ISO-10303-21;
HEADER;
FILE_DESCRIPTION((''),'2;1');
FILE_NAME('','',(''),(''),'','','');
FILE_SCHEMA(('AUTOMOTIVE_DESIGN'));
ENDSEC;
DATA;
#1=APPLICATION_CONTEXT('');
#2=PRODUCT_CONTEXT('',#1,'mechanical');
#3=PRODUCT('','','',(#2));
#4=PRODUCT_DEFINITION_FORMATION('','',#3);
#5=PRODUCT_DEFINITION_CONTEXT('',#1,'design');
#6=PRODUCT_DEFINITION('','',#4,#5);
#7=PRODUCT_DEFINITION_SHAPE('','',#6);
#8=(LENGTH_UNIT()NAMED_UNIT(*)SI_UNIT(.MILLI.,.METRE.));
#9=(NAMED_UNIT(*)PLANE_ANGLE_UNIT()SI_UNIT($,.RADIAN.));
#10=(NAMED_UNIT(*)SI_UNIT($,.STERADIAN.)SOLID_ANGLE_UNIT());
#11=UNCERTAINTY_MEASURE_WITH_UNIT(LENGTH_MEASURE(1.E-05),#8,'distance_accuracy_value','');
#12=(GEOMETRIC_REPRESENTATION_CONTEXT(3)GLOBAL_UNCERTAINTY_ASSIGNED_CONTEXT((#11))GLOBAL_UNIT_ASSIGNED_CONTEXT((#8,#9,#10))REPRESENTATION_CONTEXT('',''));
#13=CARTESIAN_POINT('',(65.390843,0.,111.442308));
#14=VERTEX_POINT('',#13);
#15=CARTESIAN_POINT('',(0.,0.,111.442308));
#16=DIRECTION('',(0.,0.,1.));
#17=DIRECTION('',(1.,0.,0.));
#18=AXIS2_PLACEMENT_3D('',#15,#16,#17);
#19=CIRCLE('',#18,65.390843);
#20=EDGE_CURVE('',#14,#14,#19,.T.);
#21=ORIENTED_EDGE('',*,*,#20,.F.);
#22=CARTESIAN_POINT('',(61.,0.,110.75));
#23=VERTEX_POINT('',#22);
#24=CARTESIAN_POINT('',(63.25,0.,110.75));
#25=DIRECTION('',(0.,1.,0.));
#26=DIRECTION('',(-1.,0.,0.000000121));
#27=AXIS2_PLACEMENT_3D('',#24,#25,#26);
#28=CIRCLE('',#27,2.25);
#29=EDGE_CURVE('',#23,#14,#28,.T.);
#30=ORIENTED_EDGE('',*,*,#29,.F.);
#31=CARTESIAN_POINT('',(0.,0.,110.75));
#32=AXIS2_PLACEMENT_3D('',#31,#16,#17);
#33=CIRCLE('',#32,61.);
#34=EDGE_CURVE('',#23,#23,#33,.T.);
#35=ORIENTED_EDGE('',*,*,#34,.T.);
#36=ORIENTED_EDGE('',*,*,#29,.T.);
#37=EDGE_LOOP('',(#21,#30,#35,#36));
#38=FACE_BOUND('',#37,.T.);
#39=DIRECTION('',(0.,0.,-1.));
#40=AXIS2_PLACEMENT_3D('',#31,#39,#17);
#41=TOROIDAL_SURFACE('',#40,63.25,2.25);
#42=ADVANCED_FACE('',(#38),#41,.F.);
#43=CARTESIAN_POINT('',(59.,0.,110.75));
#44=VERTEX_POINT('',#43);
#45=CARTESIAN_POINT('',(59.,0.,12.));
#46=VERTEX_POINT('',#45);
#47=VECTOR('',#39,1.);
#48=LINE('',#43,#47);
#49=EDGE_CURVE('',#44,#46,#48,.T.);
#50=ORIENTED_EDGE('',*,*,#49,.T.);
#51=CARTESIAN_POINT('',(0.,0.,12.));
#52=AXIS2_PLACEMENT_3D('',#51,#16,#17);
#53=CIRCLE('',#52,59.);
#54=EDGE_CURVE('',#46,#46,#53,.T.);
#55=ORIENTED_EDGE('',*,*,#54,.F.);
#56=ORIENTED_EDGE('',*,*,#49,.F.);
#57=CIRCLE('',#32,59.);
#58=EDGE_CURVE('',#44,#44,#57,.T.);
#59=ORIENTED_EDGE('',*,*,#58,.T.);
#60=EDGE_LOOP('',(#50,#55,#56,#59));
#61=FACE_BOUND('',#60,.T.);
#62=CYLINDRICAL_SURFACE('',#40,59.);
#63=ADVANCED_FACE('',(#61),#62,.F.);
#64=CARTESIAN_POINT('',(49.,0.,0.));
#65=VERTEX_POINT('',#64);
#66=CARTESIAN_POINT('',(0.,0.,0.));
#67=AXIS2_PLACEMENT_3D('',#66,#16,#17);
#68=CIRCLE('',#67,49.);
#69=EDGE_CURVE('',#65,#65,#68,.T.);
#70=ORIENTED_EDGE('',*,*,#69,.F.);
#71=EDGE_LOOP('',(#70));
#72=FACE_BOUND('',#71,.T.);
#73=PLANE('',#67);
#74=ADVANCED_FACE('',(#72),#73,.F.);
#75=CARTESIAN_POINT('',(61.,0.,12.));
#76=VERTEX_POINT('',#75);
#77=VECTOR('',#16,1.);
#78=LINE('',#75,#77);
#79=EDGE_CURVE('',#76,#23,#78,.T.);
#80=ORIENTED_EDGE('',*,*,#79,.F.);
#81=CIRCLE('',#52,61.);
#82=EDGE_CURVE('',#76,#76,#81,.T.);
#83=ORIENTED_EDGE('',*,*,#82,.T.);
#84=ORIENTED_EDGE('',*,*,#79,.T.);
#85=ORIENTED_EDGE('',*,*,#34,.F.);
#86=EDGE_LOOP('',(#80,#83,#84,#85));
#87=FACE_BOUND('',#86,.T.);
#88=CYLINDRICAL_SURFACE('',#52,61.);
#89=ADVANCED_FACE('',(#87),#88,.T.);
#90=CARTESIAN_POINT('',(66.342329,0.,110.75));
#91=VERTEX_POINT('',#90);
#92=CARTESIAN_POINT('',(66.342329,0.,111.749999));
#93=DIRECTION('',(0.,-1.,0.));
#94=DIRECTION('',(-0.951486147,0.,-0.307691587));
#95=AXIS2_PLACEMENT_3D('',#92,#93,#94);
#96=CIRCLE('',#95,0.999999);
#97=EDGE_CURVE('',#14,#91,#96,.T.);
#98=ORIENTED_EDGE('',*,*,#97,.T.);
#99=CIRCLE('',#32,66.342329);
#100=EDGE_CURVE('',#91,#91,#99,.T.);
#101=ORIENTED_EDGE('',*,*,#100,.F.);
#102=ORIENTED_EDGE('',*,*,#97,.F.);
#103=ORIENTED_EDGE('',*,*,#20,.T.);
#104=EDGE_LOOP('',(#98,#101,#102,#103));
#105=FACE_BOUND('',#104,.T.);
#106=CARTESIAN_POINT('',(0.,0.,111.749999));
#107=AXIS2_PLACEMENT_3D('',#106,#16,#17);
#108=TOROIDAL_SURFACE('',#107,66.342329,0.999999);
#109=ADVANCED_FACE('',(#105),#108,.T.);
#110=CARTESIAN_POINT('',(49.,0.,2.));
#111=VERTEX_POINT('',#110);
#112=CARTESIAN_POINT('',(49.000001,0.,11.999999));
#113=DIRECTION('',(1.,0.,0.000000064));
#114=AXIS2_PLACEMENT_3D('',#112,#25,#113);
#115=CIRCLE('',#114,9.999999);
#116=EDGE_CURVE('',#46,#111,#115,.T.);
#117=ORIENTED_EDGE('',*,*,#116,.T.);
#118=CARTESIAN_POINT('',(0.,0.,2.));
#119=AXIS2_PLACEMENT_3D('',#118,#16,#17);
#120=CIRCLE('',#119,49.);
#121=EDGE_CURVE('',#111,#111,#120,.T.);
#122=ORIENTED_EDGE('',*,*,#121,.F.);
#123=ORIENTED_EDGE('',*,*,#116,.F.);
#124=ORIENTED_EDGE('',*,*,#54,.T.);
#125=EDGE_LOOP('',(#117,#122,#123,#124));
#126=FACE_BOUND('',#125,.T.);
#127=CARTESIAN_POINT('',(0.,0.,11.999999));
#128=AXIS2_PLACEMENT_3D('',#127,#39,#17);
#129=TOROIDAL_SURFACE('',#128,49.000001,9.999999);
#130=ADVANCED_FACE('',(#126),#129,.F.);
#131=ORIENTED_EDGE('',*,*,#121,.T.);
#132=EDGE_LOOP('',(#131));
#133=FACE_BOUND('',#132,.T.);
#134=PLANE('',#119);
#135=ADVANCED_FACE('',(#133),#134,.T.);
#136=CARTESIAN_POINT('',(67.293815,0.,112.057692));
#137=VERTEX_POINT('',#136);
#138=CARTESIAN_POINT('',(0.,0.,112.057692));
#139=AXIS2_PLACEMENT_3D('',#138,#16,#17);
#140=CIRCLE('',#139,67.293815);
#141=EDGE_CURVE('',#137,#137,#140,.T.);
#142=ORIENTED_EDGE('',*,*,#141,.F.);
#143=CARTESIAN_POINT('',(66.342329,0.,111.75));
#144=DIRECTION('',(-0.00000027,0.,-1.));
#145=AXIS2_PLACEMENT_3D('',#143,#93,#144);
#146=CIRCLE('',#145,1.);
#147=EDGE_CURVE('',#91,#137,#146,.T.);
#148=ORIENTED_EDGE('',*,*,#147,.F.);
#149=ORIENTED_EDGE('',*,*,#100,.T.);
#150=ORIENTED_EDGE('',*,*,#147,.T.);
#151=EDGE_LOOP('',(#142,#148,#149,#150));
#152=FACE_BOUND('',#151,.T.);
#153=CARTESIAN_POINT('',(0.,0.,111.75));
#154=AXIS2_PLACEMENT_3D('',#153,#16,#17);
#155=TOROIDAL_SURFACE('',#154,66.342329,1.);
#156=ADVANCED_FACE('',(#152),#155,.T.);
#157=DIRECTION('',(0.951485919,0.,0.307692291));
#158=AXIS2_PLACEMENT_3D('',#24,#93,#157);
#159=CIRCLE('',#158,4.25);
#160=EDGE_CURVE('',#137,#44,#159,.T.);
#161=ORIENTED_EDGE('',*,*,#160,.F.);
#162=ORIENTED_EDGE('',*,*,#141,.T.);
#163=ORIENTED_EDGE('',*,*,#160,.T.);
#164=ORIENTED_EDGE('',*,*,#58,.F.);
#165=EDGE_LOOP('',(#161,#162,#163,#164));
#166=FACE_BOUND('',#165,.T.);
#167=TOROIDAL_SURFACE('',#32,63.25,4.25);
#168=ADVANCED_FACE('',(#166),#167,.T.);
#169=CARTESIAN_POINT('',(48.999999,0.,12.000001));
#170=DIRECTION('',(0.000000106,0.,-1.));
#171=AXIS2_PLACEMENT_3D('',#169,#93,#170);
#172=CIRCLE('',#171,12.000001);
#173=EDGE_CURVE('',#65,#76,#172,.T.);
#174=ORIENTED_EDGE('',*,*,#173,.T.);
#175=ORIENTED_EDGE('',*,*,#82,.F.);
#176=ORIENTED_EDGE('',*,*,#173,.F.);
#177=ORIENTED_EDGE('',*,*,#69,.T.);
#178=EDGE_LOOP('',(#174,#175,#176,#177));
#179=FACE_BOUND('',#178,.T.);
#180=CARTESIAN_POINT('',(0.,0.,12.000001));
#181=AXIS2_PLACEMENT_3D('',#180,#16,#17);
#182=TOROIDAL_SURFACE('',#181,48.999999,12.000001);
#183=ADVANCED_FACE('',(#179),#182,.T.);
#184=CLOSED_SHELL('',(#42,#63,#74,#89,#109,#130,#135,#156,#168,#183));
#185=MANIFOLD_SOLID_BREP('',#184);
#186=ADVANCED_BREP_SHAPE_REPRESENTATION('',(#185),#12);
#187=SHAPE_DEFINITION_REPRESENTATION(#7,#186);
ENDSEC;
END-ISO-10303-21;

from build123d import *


with BuildPart() as f1:
    # F0 (on Front) → F1 (revolve)
    with BuildSketch(Plane.XZ):
        with BuildLine():
            Line((0, 2), (0, 0))
            Line((0, 0), (49, 0))
            ThreePointArc((49, 0), (57.485281, 3.514719), (61, 12))
            Line((61, 12), (61, 93.988203))
            Line((61, 93.988203), (61, 110.75))
            Line((61, 110.75), (59, 110.75))
            Line((59, 110.75), (59, 12))
            ThreePointArc((59, 12), (56.071068, 4.928932), (49, 2))
            Line((49, 2), (0, 2))
        make_face()
        with BuildLine():
            ThreePointArc((67.293815, 112.057692), (62.588076, 114.948137), (59, 110.75))
            Line((59, 110.75), (61, 110.75))
            ThreePointArc((61, 110.75), (62.89957, 112.972543), (65.390843, 111.442308))
            ThreePointArc((65.390843, 111.442308), (65.753981, 110.941392), (66.342329, 110.75))
            ThreePointArc((66.342329, 110.75), (67.150937, 111.161652), (67.293815, 112.057692))
        make_face()
    revolve(axis=Axis((0, 0, 49.928845), (0, 0, 1)))


solid = f1.part
